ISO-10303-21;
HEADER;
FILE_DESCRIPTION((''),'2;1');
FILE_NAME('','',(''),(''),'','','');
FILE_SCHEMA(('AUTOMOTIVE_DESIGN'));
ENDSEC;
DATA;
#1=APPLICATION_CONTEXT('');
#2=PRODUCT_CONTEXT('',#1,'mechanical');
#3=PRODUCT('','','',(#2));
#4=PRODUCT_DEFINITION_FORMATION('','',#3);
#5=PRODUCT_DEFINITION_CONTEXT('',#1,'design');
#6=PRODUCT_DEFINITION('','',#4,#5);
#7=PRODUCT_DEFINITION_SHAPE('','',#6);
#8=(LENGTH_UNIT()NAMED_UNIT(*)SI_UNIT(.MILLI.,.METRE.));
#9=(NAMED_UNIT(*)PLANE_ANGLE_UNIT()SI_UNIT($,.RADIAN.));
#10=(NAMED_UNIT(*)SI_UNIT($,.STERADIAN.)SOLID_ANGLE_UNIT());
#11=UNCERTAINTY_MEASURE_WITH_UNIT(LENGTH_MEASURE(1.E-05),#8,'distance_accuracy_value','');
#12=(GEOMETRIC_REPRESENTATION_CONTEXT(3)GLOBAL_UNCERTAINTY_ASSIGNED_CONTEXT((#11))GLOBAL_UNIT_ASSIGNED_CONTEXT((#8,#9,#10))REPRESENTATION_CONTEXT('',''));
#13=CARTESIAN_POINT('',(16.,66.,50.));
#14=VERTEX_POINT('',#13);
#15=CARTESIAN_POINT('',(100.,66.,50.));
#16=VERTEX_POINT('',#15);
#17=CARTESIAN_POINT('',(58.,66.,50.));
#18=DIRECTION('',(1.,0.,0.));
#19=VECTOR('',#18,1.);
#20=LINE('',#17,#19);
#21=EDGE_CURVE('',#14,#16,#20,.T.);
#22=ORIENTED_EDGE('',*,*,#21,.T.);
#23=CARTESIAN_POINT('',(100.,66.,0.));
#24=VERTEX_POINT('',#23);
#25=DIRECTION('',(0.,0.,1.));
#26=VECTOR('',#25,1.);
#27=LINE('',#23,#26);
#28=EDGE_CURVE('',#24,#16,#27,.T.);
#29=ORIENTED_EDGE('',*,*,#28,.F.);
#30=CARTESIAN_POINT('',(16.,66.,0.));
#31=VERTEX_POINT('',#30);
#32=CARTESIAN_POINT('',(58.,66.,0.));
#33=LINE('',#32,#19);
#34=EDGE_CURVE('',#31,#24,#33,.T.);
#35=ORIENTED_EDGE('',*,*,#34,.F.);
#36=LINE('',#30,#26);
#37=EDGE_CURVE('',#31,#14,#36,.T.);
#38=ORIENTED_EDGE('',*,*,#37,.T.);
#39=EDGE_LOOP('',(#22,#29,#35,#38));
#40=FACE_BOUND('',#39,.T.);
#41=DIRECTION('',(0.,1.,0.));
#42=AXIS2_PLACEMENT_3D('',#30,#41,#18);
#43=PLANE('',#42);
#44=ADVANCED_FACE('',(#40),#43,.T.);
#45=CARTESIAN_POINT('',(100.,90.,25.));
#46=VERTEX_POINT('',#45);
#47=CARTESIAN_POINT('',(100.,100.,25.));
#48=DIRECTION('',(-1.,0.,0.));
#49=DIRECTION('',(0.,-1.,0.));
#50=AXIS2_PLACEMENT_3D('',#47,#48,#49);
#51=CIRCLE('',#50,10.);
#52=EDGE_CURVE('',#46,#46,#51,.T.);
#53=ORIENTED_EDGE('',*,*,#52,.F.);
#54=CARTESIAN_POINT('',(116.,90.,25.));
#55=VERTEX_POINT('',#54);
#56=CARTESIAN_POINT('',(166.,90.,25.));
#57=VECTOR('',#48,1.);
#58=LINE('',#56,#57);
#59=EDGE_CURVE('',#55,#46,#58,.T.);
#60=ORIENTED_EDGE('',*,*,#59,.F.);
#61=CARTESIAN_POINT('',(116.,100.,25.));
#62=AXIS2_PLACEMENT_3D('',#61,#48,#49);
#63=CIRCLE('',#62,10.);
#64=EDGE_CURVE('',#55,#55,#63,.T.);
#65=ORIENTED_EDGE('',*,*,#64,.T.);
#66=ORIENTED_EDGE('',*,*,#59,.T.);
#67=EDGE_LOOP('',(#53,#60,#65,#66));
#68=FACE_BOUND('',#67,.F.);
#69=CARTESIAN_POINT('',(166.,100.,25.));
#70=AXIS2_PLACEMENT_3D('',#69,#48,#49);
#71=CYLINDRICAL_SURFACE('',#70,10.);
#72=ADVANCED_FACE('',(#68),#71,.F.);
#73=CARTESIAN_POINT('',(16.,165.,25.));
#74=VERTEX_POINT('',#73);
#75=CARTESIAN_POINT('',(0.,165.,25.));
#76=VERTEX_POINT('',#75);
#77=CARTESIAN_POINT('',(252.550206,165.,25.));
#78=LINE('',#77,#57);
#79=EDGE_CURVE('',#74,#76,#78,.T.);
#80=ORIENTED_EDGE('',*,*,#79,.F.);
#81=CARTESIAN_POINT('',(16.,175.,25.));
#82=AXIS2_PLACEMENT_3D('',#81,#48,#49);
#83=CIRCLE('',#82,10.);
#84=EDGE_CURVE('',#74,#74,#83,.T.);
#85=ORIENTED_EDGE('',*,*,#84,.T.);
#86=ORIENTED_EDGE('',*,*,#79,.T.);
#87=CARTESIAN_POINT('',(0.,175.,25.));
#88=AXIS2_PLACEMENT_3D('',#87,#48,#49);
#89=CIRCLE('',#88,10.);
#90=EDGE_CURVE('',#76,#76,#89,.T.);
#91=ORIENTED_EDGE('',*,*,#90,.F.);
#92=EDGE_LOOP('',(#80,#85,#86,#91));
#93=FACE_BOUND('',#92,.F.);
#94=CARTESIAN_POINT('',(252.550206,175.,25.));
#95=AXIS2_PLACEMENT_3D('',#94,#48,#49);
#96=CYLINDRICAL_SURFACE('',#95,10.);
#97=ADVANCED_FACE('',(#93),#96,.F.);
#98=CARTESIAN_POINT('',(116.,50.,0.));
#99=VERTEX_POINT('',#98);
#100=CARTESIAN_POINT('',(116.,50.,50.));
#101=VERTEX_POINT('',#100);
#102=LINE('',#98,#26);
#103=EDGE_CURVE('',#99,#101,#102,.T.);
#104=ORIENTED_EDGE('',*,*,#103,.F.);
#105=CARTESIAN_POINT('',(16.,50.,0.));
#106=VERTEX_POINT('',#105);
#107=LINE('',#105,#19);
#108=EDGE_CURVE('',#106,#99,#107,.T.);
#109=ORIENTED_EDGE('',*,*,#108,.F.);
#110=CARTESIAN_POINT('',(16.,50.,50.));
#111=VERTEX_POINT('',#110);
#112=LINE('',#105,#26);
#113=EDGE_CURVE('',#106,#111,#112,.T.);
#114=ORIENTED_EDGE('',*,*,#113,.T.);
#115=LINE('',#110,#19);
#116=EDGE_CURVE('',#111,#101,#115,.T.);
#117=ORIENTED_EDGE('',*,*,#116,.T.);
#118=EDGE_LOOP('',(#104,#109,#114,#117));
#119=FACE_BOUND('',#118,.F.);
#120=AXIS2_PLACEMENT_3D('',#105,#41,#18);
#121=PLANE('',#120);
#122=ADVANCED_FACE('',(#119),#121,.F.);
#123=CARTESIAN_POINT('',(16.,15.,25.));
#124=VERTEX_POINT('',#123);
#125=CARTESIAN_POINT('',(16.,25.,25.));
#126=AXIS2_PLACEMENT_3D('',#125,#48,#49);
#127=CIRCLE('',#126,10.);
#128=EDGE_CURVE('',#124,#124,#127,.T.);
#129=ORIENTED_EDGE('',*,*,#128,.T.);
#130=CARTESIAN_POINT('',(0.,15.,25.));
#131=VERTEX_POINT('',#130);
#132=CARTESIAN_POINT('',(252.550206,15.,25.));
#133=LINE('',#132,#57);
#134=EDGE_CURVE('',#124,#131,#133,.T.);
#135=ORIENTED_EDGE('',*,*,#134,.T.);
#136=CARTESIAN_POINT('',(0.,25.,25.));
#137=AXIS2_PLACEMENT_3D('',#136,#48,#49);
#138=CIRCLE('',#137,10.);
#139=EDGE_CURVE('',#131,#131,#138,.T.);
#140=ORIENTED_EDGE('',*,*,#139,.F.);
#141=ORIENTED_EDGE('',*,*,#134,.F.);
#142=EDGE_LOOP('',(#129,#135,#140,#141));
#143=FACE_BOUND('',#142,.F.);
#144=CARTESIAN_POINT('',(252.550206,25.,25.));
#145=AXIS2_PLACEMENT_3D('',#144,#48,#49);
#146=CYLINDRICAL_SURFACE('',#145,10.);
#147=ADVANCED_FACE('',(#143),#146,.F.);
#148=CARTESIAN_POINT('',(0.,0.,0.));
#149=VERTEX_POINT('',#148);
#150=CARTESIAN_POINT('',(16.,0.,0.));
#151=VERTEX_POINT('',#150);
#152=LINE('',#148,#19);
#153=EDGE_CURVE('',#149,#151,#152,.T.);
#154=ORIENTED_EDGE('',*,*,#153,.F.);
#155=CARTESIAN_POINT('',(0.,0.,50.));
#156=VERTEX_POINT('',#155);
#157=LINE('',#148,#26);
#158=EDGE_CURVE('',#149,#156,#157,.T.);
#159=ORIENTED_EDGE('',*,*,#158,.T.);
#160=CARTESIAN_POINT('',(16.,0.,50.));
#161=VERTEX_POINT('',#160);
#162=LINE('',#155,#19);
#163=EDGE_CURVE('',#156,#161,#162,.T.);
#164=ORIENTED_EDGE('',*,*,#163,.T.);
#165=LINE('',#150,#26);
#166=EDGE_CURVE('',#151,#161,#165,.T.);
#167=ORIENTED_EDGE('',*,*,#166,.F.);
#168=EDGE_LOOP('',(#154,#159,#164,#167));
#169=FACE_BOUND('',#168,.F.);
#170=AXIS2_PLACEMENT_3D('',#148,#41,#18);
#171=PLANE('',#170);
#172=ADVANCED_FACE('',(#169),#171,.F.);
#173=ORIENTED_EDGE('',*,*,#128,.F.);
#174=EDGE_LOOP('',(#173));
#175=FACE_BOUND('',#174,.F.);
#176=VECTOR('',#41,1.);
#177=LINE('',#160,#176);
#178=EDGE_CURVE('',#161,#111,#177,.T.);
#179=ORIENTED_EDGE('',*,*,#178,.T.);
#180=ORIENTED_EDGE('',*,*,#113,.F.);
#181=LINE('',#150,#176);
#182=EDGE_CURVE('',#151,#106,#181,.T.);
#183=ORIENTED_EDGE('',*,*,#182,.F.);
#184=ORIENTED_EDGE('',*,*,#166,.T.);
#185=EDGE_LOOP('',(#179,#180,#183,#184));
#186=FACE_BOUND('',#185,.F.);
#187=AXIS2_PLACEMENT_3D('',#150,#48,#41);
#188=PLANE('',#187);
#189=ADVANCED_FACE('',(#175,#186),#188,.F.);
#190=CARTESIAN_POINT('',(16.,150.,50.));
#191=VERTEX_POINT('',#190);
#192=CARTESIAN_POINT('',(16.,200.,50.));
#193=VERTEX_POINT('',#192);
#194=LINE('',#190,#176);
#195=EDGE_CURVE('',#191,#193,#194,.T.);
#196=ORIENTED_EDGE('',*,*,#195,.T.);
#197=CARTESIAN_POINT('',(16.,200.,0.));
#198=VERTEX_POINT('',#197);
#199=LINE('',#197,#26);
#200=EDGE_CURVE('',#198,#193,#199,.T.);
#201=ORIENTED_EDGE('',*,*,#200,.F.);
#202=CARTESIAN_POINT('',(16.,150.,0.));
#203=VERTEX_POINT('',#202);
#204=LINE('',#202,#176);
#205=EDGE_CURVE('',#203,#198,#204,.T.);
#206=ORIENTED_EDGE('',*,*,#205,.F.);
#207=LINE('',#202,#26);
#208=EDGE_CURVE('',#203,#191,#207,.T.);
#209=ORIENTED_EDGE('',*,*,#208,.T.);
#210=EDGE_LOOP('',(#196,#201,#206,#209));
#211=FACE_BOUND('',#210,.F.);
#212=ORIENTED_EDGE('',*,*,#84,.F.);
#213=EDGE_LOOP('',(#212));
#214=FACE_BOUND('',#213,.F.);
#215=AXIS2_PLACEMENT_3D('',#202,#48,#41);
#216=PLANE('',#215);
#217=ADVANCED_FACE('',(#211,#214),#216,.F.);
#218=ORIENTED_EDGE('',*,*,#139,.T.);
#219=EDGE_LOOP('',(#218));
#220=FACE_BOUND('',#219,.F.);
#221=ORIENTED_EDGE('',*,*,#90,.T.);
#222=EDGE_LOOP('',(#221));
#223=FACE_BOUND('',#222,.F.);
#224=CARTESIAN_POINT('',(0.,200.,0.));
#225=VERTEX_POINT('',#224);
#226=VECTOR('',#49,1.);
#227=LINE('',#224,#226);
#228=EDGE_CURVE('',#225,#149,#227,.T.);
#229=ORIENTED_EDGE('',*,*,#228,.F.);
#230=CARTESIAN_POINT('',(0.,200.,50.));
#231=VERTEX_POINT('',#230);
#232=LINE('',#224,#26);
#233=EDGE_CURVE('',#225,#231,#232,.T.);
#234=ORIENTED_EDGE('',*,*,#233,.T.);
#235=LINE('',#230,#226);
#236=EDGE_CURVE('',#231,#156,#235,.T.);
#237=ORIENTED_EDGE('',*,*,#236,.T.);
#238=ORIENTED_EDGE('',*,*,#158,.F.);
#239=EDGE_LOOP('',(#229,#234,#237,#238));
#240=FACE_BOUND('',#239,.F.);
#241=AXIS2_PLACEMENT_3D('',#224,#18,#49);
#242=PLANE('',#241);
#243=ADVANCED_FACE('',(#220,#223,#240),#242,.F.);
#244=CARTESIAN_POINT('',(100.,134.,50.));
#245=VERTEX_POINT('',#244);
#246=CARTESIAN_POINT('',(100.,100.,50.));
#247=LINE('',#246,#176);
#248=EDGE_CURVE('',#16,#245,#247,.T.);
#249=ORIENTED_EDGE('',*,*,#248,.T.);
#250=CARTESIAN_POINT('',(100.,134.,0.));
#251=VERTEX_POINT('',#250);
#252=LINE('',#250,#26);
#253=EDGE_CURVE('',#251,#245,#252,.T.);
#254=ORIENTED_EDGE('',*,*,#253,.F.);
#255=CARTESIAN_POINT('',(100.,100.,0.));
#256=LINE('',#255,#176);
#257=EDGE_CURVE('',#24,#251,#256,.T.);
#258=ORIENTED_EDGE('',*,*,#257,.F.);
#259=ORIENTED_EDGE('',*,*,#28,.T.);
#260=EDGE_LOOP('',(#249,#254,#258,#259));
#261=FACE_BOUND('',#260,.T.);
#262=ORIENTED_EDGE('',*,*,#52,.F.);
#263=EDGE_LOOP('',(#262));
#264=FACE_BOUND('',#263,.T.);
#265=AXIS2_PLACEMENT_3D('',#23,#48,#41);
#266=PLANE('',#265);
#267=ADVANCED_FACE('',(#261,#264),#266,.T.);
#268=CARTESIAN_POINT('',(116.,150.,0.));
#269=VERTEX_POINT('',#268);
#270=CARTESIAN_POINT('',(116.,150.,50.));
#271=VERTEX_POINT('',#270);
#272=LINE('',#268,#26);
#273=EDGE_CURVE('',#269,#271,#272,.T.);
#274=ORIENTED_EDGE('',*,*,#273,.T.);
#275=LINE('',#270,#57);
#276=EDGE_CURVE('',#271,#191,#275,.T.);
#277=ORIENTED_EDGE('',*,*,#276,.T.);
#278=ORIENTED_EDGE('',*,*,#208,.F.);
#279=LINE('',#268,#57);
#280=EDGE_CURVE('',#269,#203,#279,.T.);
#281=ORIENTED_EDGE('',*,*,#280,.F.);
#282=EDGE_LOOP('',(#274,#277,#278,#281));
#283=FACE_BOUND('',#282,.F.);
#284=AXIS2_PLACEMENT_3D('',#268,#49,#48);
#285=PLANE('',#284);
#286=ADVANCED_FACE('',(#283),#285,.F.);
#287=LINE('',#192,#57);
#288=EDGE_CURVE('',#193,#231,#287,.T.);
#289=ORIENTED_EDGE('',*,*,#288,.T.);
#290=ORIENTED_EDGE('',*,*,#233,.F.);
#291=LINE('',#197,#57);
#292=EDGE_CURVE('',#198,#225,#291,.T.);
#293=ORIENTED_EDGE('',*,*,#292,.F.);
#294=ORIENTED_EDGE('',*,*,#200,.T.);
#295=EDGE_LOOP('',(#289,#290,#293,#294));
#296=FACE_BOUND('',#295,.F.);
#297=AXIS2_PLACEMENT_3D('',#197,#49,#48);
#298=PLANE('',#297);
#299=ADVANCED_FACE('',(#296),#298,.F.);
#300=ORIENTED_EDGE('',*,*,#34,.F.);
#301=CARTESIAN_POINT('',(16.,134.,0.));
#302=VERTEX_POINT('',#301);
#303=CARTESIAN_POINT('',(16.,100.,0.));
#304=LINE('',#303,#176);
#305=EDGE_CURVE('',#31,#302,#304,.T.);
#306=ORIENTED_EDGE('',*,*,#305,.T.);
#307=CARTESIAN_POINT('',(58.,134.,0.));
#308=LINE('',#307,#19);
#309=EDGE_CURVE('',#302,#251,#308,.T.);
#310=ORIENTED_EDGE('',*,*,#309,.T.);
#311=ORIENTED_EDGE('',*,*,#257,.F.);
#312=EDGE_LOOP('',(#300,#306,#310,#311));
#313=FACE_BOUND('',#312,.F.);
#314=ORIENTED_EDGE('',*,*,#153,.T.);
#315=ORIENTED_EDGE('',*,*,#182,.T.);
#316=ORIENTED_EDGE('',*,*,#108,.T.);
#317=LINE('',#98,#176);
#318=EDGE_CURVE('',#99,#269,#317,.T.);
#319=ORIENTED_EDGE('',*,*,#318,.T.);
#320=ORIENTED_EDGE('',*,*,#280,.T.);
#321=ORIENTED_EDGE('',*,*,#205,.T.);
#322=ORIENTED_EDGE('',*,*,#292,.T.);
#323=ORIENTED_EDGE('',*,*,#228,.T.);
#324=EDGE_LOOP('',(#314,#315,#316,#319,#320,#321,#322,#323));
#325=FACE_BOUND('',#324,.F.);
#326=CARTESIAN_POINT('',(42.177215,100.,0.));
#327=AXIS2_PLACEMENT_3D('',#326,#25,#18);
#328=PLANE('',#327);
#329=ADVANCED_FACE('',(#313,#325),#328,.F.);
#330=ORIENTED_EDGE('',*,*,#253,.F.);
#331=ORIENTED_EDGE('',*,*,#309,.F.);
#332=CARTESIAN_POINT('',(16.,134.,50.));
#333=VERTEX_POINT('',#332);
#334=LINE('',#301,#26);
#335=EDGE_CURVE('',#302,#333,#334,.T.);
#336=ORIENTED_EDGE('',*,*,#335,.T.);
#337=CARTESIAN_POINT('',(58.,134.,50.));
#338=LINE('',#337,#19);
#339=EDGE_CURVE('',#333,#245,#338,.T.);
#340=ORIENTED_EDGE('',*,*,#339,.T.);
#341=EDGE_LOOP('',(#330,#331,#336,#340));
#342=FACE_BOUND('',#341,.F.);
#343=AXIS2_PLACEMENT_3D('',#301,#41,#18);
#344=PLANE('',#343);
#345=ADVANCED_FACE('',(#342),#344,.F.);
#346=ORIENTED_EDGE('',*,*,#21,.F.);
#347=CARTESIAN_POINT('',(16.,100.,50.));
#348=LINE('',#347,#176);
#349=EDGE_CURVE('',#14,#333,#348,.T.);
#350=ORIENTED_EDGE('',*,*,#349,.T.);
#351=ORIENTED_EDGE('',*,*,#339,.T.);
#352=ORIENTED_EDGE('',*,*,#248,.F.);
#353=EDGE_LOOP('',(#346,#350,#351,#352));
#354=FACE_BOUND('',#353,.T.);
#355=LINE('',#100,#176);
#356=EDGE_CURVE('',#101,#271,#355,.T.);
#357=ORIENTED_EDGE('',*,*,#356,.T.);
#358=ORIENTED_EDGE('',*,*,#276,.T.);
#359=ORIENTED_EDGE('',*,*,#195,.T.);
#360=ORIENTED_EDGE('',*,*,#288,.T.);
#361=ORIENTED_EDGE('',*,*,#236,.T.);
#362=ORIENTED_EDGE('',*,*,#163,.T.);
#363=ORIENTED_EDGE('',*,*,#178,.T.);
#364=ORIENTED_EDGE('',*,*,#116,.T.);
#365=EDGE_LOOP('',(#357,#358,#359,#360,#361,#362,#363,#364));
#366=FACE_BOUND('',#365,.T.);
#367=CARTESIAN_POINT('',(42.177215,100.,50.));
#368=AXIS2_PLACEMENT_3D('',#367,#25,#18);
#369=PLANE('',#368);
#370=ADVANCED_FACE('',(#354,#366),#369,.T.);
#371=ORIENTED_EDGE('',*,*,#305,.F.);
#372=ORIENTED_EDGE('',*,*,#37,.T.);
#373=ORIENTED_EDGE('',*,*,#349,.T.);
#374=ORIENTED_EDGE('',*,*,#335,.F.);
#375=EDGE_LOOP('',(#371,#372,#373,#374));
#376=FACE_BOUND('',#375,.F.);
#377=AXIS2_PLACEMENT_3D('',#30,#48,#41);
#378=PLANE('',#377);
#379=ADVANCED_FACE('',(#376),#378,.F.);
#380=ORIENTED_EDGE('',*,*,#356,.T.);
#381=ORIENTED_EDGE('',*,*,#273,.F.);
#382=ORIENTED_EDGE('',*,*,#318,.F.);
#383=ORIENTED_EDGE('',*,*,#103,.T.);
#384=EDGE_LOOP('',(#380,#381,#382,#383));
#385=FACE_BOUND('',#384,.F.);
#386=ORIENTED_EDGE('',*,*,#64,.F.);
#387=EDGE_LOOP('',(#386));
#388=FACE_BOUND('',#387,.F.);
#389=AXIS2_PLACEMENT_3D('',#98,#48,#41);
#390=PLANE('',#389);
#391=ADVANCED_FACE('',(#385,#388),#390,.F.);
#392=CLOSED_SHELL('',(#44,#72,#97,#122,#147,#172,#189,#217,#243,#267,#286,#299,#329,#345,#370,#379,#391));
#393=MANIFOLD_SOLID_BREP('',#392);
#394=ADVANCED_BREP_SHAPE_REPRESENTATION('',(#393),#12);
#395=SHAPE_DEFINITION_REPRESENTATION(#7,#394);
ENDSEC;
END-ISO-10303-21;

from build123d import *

# Parameters (mm, degrees)
F0_W     = 84
F0_H     = 68
F1_DEPTH = 50
F4_D     = 20
F5_D     = 20
F5_DEPTH = 50


with BuildPart() as f1:
    # F0 (on Top) → F1 (new body)
    with BuildSketch(Plane.XY):
        Polygon((0, 200), (0, 0), (16, 0), (16, 50), (116, 50), (116, 150), (16, 150), (16, 200), align=None)
        with Locations((58, 100)):
            Rectangle(F0_W, F0_H, mode=Mode.SUBTRACT)
    extrude(amount=F1_DEPTH)

    # F4 (through all)
    with Locations(Plane.YZ.offset(16)):
        with Locations((25, 25), (175, 25)):
            Hole(F4_D / 2)

    # F5
    with Locations(Plane.YZ.offset(116)):
        with Locations((100, 25)):
            Hole(F5_D / 2, depth=F5_DEPTH)


solid = f1.part
